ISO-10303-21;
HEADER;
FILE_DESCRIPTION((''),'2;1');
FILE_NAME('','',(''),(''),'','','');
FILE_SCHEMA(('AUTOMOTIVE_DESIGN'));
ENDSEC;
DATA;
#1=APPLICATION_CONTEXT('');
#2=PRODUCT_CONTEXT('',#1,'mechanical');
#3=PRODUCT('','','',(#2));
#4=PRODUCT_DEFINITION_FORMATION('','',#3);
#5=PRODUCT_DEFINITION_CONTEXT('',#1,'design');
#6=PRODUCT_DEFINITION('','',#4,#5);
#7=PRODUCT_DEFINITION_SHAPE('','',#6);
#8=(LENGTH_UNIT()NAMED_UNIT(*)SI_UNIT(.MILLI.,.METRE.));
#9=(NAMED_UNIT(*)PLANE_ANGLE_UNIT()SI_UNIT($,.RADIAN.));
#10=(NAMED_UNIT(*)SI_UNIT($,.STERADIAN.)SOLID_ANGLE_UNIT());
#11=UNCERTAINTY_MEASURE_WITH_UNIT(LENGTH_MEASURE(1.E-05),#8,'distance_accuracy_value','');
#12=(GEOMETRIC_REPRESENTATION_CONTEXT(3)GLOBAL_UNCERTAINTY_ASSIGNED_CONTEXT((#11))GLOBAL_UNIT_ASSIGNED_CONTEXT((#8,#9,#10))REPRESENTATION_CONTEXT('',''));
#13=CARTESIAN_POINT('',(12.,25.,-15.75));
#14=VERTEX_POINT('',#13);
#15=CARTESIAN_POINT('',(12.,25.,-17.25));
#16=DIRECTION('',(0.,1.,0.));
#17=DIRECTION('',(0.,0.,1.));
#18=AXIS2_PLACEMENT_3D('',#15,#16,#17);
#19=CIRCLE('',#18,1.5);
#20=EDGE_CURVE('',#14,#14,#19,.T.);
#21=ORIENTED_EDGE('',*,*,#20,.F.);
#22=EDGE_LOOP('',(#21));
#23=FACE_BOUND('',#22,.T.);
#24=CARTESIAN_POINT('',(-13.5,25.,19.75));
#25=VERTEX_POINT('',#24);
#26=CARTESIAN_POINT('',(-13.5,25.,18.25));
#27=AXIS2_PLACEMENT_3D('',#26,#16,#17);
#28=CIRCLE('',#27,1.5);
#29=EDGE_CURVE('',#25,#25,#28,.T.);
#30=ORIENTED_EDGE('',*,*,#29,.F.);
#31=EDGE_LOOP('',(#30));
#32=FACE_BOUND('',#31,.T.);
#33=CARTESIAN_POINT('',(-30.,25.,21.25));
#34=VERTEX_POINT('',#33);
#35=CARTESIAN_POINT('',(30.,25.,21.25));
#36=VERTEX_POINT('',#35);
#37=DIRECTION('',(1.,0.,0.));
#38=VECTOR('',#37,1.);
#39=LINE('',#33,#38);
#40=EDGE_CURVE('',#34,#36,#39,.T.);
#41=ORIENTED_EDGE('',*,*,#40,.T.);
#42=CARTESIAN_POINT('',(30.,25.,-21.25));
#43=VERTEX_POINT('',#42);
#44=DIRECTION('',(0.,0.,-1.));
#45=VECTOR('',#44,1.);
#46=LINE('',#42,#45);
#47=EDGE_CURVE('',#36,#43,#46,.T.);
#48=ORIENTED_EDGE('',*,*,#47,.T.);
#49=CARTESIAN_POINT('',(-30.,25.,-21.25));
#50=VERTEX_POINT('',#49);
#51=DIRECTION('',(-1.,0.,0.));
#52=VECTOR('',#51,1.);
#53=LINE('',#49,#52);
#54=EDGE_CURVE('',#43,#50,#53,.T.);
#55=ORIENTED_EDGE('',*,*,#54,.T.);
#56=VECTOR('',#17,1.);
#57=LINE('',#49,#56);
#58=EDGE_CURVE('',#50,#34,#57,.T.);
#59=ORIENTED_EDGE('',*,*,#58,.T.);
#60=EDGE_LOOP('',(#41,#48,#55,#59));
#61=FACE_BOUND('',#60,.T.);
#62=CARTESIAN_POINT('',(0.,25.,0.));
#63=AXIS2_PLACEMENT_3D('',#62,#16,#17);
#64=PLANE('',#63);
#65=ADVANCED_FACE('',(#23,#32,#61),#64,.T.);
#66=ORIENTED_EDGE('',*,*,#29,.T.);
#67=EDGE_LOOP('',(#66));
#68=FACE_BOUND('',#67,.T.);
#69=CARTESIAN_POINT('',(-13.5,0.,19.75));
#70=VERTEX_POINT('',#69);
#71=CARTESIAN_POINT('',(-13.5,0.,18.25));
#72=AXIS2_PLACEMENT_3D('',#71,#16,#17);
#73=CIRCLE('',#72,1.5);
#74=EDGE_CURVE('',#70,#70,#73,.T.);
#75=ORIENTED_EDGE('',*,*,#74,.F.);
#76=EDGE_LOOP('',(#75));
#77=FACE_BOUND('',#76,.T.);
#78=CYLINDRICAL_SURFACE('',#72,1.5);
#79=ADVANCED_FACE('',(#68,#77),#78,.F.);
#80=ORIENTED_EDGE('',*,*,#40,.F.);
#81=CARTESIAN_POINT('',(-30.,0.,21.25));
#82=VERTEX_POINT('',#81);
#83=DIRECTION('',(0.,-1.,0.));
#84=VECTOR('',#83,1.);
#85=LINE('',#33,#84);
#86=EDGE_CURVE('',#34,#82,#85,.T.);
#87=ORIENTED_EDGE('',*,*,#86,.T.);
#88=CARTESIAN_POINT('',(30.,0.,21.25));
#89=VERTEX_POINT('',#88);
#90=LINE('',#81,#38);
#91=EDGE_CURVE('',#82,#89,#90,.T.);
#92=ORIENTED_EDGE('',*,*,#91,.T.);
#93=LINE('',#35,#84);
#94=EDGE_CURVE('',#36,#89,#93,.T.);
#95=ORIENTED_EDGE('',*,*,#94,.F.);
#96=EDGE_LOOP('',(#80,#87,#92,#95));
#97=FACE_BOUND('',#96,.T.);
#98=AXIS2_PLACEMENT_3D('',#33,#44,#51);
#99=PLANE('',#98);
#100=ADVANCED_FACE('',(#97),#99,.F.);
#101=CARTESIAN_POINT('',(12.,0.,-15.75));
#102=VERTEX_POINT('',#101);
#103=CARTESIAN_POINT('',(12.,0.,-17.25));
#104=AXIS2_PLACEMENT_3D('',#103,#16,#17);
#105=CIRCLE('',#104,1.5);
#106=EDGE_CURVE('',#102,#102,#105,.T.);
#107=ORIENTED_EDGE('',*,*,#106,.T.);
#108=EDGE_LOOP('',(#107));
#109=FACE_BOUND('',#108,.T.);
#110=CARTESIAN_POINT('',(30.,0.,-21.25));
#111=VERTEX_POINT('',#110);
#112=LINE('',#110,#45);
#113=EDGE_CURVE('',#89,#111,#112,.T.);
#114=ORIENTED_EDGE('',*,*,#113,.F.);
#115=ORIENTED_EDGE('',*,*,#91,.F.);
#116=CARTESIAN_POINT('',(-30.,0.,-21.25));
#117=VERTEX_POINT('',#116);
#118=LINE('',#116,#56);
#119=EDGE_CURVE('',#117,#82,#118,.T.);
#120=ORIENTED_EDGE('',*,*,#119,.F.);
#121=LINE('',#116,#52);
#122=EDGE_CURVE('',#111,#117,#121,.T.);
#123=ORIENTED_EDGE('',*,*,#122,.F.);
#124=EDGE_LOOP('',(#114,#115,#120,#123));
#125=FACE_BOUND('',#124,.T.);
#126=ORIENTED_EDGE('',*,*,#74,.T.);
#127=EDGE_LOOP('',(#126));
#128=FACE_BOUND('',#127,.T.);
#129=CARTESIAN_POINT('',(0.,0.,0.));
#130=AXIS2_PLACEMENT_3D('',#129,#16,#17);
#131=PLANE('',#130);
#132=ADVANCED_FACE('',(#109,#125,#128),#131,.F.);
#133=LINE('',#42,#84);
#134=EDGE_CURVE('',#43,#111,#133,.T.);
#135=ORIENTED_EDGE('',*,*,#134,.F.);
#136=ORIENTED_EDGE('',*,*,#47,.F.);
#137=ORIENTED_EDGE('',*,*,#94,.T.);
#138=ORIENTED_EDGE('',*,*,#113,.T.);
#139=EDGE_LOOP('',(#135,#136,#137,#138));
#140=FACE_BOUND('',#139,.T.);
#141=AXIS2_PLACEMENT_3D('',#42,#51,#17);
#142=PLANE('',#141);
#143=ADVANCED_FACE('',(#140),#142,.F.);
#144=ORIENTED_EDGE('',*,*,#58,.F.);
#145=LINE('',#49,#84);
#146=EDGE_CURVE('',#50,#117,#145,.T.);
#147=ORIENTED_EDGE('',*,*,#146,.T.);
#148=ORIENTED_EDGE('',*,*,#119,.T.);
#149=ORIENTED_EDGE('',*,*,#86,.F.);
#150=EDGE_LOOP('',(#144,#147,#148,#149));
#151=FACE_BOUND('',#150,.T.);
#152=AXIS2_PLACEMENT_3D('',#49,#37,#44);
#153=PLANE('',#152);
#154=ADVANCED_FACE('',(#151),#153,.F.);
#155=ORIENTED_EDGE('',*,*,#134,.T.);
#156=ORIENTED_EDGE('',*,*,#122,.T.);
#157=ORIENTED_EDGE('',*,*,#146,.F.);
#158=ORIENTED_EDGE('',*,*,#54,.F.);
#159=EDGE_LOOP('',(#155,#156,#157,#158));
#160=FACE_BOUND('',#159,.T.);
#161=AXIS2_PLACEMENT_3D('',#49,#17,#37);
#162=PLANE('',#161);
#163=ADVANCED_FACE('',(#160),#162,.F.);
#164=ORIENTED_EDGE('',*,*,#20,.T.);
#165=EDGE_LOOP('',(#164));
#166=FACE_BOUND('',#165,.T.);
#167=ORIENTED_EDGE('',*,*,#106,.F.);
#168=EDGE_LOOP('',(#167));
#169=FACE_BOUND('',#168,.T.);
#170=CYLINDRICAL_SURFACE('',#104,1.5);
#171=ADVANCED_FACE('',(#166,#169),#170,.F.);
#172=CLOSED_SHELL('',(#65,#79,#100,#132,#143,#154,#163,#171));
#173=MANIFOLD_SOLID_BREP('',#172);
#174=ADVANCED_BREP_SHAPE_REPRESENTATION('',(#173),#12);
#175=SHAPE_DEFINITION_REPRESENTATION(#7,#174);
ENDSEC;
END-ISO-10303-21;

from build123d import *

# Parameters (mm, degrees)
SKETCH1_W           = 60
SKETCH1_H           = 42.5
BOSS_EXTRUDE1_DEPTH = 25
SKETCH2_R           = 1.5
CUT_EXTRUDE1_DEPTH  = 45.458548109


with BuildPart() as part:
    # Sketch1 → Boss-Extrude1 (new body)
    with BuildSketch(Plane(origin=(0, 0, 0), x_dir=(1, 0, 0), z_dir=(0, 1, 0))):
        Rectangle(SKETCH1_W, SKETCH1_H)
    extrude(amount=BOSS_EXTRUDE1_DEPTH)

    # Sketch2 → Cut-Extrude1 (cut, through all)
    with BuildSketch(Plane(origin=(0, 25, 0), x_dir=(1, 0, 0), z_dir=(0, 1, 0))):
        with Locations(Location((12, 17.25, 0), (0, 0, 270))):
            Circle(SKETCH2_R)
        with Locations(Location((-13.5, -18.25, 0), (0, 0, 270))):
            Circle(SKETCH2_R)
    extrude(amount=-CUT_EXTRUDE1_DEPTH, mode=Mode.SUBTRACT)


solid = part.part
